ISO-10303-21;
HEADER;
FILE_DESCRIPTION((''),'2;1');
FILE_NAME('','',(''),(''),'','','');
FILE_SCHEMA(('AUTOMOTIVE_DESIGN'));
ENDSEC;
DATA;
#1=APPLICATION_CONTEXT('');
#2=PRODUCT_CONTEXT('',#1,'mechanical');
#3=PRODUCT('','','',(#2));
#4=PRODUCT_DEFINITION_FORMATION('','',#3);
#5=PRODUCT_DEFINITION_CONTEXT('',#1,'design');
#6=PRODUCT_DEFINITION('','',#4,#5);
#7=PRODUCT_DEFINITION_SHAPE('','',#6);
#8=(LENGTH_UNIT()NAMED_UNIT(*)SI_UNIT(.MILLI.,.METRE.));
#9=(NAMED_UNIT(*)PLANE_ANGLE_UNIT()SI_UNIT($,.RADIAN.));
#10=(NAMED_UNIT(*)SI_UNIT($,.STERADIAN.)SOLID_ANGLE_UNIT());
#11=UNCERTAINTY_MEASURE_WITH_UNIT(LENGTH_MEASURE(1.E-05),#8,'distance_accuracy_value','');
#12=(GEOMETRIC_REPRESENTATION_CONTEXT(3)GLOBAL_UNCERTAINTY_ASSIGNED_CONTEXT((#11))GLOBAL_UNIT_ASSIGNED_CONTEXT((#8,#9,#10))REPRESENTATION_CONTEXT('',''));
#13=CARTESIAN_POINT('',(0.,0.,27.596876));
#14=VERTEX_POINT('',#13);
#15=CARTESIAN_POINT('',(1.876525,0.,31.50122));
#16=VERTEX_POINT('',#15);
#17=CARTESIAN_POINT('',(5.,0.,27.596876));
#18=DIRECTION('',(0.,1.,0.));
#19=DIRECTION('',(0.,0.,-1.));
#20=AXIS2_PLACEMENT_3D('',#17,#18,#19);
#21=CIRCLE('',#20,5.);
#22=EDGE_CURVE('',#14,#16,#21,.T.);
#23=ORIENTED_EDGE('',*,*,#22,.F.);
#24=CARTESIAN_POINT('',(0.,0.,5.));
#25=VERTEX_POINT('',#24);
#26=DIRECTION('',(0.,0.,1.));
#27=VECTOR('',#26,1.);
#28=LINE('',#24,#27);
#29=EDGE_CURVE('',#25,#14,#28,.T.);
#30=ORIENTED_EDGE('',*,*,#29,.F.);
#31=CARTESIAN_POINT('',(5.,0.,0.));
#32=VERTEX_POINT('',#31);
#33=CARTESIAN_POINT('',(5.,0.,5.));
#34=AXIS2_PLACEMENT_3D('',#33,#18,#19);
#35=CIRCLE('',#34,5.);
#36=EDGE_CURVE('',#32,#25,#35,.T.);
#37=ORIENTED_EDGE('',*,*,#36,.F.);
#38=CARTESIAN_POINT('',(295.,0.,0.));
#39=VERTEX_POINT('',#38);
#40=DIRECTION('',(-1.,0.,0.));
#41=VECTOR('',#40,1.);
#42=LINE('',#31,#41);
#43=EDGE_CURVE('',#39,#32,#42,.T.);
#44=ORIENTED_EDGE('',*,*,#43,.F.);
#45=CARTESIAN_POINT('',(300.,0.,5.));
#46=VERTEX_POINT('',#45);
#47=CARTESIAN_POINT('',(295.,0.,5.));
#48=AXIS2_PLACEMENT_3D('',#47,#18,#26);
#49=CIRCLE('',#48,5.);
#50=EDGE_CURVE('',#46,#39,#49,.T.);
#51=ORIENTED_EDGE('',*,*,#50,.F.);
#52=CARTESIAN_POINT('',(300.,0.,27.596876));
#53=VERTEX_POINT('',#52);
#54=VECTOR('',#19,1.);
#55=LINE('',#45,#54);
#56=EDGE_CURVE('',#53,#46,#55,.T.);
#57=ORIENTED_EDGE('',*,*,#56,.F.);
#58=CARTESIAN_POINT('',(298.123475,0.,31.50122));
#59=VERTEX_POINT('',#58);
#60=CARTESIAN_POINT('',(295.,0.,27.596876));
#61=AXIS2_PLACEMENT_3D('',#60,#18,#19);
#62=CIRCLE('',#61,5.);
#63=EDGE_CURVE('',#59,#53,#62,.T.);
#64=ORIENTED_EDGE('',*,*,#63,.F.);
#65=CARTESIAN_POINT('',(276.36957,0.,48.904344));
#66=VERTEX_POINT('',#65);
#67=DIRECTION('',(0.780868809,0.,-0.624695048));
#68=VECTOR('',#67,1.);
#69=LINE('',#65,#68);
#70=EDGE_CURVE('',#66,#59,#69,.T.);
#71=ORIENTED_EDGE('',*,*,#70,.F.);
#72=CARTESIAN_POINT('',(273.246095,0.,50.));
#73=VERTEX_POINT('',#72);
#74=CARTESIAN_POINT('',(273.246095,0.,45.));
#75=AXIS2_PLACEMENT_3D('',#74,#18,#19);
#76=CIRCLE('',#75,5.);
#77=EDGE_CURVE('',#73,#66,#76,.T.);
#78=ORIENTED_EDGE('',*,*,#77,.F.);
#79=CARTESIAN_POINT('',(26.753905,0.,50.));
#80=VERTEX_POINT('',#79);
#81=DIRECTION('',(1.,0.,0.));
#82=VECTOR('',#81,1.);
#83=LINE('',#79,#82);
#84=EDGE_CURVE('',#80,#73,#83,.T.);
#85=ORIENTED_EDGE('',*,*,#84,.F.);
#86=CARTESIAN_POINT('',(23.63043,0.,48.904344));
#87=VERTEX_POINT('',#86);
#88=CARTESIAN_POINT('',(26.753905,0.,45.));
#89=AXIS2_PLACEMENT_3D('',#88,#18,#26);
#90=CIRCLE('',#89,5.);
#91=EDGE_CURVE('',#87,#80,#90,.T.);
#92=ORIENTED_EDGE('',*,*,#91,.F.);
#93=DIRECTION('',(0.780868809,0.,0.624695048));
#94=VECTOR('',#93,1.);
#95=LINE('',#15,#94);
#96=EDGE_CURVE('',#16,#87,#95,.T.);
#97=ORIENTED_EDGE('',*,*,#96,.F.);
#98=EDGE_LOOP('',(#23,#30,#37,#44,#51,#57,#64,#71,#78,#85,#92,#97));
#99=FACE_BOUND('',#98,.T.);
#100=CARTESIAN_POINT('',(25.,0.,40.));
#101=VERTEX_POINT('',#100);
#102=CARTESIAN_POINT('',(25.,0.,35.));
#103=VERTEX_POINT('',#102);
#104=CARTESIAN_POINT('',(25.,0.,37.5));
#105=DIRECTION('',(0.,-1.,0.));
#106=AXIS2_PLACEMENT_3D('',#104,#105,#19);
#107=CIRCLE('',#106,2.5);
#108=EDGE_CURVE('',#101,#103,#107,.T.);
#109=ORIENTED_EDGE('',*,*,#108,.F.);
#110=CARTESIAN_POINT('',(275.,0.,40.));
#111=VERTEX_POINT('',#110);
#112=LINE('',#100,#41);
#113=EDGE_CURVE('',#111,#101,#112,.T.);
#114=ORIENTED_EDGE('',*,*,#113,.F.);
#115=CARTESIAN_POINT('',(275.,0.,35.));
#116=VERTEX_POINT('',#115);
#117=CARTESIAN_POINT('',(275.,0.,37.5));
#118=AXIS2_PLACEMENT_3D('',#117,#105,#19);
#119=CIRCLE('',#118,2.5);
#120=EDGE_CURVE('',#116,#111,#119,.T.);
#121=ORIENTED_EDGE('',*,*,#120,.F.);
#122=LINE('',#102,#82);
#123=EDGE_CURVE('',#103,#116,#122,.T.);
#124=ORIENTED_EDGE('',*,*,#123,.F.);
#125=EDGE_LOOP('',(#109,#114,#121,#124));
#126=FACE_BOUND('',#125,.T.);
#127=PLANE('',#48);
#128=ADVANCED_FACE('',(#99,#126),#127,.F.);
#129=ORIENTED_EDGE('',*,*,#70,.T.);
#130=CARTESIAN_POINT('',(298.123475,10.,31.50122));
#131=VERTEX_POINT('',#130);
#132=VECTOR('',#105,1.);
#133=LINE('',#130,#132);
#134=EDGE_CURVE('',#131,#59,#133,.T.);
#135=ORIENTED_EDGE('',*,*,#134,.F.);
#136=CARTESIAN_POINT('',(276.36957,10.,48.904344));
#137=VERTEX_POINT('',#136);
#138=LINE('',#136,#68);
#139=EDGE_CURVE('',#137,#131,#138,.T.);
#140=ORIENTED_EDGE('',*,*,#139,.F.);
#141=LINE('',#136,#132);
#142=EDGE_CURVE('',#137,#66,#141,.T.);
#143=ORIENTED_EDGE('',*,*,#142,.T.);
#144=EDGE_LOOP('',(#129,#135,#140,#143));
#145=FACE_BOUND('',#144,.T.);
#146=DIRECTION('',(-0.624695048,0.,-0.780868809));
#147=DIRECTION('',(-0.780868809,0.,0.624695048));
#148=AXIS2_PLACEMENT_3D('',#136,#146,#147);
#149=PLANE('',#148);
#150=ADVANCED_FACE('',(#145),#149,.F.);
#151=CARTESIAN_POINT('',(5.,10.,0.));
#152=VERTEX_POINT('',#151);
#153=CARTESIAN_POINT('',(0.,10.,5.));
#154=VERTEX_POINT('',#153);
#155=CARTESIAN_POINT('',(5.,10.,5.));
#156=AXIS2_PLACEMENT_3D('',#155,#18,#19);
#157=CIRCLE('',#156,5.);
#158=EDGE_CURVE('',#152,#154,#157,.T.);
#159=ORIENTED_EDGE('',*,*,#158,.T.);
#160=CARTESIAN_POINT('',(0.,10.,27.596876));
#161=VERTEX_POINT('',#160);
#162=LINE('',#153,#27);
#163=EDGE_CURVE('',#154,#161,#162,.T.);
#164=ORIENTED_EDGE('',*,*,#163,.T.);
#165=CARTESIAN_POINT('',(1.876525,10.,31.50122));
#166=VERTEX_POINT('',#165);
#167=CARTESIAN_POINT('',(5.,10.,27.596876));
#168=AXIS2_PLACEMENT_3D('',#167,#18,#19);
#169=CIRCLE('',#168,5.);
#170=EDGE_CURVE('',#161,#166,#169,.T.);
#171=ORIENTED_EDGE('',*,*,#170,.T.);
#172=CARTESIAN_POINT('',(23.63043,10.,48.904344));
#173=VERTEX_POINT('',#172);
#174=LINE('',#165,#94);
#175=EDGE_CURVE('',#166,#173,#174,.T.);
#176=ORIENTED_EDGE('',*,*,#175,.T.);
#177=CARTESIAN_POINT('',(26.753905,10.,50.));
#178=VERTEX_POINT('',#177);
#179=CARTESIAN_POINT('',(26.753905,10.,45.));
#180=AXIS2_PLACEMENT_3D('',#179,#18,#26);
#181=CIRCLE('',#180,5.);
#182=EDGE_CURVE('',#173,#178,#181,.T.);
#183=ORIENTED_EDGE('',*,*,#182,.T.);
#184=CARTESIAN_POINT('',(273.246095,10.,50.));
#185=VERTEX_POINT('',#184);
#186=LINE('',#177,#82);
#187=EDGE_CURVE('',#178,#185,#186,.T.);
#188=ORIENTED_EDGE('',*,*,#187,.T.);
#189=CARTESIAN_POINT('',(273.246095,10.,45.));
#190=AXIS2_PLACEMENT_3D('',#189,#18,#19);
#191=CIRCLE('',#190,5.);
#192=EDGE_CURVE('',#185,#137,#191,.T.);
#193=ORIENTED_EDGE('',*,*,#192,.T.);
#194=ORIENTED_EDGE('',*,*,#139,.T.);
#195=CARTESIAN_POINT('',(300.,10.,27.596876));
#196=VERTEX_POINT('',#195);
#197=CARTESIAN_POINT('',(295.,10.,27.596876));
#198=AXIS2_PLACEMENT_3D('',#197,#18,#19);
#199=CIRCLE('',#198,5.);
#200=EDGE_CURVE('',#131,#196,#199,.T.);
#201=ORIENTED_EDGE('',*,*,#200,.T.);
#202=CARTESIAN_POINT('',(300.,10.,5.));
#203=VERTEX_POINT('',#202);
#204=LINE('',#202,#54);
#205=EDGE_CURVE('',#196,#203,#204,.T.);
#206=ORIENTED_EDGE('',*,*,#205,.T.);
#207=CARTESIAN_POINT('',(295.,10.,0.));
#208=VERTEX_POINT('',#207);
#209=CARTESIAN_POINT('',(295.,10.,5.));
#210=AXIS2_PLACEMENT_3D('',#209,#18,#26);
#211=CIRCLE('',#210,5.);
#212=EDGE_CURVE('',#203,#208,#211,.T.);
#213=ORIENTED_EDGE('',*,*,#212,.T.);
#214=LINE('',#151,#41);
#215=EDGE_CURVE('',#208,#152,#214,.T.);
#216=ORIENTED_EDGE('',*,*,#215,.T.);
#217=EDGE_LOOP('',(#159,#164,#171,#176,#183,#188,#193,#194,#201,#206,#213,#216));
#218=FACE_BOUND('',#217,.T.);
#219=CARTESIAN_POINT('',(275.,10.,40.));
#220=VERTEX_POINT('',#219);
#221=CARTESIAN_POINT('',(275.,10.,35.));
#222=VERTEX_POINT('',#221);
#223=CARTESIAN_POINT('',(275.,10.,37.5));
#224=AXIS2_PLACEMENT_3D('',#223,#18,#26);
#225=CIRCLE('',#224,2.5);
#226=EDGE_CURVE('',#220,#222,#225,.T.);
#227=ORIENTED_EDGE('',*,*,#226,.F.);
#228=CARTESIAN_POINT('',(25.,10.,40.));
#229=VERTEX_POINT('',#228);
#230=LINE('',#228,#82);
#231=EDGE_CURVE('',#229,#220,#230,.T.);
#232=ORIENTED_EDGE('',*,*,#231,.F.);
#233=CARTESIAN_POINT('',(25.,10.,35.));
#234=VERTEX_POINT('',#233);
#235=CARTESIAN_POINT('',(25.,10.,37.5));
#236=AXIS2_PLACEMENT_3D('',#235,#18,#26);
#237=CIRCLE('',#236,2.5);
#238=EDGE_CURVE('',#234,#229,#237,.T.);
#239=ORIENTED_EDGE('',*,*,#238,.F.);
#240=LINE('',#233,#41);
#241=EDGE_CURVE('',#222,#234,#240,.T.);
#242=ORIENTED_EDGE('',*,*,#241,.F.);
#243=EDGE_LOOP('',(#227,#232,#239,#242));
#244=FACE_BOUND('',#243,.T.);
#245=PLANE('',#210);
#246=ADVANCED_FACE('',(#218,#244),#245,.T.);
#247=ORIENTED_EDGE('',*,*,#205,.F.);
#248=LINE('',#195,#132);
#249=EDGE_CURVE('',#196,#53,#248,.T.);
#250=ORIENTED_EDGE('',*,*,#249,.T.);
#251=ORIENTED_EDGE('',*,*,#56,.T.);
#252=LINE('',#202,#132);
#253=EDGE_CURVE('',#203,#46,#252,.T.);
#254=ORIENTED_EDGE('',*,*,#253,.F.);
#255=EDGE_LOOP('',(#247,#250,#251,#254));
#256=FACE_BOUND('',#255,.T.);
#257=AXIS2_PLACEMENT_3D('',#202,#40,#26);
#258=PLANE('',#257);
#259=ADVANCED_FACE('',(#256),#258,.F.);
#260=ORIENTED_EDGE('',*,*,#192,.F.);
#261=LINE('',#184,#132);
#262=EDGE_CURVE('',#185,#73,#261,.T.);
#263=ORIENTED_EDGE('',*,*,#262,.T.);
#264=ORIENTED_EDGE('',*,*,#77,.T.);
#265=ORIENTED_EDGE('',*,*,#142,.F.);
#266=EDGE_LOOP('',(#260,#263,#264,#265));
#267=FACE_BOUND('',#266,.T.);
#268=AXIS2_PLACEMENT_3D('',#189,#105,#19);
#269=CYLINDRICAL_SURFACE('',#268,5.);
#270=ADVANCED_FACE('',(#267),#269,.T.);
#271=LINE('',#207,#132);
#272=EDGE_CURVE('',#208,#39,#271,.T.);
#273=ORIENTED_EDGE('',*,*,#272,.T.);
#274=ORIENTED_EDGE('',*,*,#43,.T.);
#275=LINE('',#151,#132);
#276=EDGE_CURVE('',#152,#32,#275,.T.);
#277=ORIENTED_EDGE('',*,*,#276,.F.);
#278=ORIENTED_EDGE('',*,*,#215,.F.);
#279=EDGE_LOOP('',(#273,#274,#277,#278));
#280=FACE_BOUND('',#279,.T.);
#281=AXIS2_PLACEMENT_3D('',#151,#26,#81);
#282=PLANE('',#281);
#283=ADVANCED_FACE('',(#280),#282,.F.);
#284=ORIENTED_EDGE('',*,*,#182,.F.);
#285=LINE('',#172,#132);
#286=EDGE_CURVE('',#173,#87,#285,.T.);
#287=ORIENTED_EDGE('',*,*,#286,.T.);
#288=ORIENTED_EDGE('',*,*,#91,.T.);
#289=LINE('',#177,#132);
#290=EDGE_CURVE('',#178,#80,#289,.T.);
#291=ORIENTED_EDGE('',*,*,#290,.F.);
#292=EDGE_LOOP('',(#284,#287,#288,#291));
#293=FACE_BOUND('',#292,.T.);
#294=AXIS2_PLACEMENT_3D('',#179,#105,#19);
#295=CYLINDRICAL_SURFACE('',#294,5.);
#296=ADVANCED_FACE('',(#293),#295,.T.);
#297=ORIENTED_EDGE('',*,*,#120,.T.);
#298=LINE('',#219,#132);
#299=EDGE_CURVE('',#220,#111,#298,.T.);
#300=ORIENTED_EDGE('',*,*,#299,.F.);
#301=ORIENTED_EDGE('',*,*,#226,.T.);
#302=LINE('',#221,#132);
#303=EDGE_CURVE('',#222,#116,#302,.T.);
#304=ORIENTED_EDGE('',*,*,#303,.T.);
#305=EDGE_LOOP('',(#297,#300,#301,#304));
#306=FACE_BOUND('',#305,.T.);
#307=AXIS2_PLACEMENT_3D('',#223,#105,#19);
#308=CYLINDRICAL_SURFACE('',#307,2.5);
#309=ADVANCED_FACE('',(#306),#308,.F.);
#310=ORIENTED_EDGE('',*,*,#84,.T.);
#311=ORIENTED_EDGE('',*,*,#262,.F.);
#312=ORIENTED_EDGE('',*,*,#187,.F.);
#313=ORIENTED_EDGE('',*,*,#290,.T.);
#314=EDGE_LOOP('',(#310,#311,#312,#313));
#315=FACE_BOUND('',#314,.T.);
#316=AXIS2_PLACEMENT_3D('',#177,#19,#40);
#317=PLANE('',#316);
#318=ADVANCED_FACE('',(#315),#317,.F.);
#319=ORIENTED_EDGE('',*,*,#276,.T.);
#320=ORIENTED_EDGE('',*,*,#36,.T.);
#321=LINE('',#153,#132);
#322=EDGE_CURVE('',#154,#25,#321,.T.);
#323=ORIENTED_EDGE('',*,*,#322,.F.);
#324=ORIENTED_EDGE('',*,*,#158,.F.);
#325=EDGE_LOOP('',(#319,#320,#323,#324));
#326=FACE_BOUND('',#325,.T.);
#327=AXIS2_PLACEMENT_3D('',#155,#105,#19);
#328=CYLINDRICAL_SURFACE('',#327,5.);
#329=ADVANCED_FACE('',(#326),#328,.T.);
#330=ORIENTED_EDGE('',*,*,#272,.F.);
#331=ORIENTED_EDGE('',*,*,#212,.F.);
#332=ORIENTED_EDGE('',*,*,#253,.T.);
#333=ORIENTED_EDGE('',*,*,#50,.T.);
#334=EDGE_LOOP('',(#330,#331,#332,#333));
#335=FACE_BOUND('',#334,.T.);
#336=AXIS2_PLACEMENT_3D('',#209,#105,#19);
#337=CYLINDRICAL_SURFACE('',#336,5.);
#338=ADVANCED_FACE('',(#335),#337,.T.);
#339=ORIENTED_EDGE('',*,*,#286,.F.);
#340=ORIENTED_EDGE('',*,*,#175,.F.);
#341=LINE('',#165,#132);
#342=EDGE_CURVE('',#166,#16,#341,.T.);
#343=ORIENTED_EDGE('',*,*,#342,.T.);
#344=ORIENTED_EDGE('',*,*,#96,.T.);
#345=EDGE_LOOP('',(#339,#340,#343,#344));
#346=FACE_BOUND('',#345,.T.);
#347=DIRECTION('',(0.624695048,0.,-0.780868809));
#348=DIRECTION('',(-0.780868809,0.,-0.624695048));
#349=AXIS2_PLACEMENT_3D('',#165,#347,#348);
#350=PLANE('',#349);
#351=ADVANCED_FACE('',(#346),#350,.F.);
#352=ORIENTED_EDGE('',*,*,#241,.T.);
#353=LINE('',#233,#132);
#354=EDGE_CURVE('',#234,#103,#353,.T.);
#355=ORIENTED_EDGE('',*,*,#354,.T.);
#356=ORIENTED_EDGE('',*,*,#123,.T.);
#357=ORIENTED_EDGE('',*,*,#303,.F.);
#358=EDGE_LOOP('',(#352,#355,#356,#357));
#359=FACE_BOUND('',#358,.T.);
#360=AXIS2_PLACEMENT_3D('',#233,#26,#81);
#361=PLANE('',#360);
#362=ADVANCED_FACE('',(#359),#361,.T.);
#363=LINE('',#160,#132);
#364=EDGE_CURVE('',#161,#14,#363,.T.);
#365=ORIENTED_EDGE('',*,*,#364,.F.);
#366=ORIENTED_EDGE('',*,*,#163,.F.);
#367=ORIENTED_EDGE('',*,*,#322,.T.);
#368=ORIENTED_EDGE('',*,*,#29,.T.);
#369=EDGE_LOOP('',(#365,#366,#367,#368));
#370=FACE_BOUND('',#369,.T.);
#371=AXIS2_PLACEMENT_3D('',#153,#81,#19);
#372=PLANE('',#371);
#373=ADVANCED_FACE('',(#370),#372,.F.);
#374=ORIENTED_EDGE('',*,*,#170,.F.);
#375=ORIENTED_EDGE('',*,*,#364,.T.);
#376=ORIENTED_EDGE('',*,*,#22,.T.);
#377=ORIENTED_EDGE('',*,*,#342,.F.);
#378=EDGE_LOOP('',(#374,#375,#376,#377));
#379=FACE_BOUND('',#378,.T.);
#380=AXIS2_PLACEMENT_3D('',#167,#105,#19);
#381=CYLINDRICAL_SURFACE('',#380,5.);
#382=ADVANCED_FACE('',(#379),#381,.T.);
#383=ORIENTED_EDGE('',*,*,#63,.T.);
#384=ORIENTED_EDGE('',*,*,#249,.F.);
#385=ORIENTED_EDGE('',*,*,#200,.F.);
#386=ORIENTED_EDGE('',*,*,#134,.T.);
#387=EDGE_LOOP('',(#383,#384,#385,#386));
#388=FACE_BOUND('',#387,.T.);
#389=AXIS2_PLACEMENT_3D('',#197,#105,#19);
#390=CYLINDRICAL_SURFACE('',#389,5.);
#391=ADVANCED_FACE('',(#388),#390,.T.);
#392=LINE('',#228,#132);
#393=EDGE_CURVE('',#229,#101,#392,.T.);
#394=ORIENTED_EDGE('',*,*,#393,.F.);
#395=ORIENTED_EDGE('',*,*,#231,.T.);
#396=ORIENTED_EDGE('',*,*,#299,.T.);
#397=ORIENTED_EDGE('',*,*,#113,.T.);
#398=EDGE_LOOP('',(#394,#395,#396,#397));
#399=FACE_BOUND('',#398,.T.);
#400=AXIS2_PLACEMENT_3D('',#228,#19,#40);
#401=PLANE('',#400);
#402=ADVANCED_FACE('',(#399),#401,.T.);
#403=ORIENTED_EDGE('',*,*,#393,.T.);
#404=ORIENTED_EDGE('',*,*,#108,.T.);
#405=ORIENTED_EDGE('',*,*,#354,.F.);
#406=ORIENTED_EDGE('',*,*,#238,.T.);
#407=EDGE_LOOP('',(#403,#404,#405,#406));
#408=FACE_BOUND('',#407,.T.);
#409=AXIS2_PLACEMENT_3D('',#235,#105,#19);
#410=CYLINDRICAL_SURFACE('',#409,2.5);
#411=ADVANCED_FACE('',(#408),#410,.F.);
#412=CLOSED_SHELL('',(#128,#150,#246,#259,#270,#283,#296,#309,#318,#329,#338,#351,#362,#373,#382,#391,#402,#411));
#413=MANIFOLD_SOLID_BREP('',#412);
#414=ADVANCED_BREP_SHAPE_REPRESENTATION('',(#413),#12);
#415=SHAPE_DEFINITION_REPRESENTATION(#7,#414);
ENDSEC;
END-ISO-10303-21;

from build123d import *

# Parameters (mm, degrees)
BOSS_EXTRUDE1_DEPTH     = 10
CUT_EXTRUDE4_DEPTH      = 305.302481094
CUT_EXTRUDE4_DEPTH_BACK = 305.302481094


with BuildPart() as part:
    # Sketch1 → Boss-Extrude1 (new body)
    with BuildSketch(Plane(origin=(0, 0, 0), x_dir=(1, 0, 0), z_dir=(0, 1, 0))):
        with BuildLine():
            Line((0, -5), (0, -27.596875763))
            ThreePointArc((0, -27.596875763), (0.493483818, -29.762819415), (1.876524762, -31.50121981))
            Line((1.876524762, -31.50121981), (23.630430059, -48.904344047))
            ThreePointArc((23.630430059, -48.904344047), (25.09887059, -49.718141596), (26.753905297, -50))
            Line((26.753905297, -50), (273.246094703, -50))
            ThreePointArc((273.246094703, -50), (274.90112941, -49.718141596), (276.369569941, -48.904344047))
            Line((276.369569941, -48.904344047), (298.123475238, -31.50121981))
            ThreePointArc((298.123475238, -31.50121981), (299.506516182, -29.762819415), (300, -27.596875763))
            Line((300, -27.596875763), (300, -5))
            ThreePointArc((300, -5), (298.535533906, -1.464466094), (295, 0))
            Line((295, 0), (5, 0))
            ThreePointArc((5, 0), (1.464466094, -1.464466094), (0, -5))
        make_face()
    extrude(amount=BOSS_EXTRUDE1_DEPTH)

    # Sketch2 → Cut-Extrude4 (cut, two sides: drawn at the far end of the back side and taken through both)
    with BuildSketch(Plane(origin=(0, 0, 0), x_dir=(1, 0, 0), z_dir=(0, 1, 0)).offset(-CUT_EXTRUDE4_DEPTH_BACK)):
        with BuildLine():
            Line((25, -35), (275, -35))
            ThreePointArc((275, -35), (277.5, -37.5), (275, -40))
            Line((275, -40), (25, -40))
            ThreePointArc((25, -40), (22.5, -37.5), (25, -35))
        make_face()
    extrude(amount=CUT_EXTRUDE4_DEPTH + CUT_EXTRUDE4_DEPTH_BACK, mode=Mode.SUBTRACT)


solid = part.part
